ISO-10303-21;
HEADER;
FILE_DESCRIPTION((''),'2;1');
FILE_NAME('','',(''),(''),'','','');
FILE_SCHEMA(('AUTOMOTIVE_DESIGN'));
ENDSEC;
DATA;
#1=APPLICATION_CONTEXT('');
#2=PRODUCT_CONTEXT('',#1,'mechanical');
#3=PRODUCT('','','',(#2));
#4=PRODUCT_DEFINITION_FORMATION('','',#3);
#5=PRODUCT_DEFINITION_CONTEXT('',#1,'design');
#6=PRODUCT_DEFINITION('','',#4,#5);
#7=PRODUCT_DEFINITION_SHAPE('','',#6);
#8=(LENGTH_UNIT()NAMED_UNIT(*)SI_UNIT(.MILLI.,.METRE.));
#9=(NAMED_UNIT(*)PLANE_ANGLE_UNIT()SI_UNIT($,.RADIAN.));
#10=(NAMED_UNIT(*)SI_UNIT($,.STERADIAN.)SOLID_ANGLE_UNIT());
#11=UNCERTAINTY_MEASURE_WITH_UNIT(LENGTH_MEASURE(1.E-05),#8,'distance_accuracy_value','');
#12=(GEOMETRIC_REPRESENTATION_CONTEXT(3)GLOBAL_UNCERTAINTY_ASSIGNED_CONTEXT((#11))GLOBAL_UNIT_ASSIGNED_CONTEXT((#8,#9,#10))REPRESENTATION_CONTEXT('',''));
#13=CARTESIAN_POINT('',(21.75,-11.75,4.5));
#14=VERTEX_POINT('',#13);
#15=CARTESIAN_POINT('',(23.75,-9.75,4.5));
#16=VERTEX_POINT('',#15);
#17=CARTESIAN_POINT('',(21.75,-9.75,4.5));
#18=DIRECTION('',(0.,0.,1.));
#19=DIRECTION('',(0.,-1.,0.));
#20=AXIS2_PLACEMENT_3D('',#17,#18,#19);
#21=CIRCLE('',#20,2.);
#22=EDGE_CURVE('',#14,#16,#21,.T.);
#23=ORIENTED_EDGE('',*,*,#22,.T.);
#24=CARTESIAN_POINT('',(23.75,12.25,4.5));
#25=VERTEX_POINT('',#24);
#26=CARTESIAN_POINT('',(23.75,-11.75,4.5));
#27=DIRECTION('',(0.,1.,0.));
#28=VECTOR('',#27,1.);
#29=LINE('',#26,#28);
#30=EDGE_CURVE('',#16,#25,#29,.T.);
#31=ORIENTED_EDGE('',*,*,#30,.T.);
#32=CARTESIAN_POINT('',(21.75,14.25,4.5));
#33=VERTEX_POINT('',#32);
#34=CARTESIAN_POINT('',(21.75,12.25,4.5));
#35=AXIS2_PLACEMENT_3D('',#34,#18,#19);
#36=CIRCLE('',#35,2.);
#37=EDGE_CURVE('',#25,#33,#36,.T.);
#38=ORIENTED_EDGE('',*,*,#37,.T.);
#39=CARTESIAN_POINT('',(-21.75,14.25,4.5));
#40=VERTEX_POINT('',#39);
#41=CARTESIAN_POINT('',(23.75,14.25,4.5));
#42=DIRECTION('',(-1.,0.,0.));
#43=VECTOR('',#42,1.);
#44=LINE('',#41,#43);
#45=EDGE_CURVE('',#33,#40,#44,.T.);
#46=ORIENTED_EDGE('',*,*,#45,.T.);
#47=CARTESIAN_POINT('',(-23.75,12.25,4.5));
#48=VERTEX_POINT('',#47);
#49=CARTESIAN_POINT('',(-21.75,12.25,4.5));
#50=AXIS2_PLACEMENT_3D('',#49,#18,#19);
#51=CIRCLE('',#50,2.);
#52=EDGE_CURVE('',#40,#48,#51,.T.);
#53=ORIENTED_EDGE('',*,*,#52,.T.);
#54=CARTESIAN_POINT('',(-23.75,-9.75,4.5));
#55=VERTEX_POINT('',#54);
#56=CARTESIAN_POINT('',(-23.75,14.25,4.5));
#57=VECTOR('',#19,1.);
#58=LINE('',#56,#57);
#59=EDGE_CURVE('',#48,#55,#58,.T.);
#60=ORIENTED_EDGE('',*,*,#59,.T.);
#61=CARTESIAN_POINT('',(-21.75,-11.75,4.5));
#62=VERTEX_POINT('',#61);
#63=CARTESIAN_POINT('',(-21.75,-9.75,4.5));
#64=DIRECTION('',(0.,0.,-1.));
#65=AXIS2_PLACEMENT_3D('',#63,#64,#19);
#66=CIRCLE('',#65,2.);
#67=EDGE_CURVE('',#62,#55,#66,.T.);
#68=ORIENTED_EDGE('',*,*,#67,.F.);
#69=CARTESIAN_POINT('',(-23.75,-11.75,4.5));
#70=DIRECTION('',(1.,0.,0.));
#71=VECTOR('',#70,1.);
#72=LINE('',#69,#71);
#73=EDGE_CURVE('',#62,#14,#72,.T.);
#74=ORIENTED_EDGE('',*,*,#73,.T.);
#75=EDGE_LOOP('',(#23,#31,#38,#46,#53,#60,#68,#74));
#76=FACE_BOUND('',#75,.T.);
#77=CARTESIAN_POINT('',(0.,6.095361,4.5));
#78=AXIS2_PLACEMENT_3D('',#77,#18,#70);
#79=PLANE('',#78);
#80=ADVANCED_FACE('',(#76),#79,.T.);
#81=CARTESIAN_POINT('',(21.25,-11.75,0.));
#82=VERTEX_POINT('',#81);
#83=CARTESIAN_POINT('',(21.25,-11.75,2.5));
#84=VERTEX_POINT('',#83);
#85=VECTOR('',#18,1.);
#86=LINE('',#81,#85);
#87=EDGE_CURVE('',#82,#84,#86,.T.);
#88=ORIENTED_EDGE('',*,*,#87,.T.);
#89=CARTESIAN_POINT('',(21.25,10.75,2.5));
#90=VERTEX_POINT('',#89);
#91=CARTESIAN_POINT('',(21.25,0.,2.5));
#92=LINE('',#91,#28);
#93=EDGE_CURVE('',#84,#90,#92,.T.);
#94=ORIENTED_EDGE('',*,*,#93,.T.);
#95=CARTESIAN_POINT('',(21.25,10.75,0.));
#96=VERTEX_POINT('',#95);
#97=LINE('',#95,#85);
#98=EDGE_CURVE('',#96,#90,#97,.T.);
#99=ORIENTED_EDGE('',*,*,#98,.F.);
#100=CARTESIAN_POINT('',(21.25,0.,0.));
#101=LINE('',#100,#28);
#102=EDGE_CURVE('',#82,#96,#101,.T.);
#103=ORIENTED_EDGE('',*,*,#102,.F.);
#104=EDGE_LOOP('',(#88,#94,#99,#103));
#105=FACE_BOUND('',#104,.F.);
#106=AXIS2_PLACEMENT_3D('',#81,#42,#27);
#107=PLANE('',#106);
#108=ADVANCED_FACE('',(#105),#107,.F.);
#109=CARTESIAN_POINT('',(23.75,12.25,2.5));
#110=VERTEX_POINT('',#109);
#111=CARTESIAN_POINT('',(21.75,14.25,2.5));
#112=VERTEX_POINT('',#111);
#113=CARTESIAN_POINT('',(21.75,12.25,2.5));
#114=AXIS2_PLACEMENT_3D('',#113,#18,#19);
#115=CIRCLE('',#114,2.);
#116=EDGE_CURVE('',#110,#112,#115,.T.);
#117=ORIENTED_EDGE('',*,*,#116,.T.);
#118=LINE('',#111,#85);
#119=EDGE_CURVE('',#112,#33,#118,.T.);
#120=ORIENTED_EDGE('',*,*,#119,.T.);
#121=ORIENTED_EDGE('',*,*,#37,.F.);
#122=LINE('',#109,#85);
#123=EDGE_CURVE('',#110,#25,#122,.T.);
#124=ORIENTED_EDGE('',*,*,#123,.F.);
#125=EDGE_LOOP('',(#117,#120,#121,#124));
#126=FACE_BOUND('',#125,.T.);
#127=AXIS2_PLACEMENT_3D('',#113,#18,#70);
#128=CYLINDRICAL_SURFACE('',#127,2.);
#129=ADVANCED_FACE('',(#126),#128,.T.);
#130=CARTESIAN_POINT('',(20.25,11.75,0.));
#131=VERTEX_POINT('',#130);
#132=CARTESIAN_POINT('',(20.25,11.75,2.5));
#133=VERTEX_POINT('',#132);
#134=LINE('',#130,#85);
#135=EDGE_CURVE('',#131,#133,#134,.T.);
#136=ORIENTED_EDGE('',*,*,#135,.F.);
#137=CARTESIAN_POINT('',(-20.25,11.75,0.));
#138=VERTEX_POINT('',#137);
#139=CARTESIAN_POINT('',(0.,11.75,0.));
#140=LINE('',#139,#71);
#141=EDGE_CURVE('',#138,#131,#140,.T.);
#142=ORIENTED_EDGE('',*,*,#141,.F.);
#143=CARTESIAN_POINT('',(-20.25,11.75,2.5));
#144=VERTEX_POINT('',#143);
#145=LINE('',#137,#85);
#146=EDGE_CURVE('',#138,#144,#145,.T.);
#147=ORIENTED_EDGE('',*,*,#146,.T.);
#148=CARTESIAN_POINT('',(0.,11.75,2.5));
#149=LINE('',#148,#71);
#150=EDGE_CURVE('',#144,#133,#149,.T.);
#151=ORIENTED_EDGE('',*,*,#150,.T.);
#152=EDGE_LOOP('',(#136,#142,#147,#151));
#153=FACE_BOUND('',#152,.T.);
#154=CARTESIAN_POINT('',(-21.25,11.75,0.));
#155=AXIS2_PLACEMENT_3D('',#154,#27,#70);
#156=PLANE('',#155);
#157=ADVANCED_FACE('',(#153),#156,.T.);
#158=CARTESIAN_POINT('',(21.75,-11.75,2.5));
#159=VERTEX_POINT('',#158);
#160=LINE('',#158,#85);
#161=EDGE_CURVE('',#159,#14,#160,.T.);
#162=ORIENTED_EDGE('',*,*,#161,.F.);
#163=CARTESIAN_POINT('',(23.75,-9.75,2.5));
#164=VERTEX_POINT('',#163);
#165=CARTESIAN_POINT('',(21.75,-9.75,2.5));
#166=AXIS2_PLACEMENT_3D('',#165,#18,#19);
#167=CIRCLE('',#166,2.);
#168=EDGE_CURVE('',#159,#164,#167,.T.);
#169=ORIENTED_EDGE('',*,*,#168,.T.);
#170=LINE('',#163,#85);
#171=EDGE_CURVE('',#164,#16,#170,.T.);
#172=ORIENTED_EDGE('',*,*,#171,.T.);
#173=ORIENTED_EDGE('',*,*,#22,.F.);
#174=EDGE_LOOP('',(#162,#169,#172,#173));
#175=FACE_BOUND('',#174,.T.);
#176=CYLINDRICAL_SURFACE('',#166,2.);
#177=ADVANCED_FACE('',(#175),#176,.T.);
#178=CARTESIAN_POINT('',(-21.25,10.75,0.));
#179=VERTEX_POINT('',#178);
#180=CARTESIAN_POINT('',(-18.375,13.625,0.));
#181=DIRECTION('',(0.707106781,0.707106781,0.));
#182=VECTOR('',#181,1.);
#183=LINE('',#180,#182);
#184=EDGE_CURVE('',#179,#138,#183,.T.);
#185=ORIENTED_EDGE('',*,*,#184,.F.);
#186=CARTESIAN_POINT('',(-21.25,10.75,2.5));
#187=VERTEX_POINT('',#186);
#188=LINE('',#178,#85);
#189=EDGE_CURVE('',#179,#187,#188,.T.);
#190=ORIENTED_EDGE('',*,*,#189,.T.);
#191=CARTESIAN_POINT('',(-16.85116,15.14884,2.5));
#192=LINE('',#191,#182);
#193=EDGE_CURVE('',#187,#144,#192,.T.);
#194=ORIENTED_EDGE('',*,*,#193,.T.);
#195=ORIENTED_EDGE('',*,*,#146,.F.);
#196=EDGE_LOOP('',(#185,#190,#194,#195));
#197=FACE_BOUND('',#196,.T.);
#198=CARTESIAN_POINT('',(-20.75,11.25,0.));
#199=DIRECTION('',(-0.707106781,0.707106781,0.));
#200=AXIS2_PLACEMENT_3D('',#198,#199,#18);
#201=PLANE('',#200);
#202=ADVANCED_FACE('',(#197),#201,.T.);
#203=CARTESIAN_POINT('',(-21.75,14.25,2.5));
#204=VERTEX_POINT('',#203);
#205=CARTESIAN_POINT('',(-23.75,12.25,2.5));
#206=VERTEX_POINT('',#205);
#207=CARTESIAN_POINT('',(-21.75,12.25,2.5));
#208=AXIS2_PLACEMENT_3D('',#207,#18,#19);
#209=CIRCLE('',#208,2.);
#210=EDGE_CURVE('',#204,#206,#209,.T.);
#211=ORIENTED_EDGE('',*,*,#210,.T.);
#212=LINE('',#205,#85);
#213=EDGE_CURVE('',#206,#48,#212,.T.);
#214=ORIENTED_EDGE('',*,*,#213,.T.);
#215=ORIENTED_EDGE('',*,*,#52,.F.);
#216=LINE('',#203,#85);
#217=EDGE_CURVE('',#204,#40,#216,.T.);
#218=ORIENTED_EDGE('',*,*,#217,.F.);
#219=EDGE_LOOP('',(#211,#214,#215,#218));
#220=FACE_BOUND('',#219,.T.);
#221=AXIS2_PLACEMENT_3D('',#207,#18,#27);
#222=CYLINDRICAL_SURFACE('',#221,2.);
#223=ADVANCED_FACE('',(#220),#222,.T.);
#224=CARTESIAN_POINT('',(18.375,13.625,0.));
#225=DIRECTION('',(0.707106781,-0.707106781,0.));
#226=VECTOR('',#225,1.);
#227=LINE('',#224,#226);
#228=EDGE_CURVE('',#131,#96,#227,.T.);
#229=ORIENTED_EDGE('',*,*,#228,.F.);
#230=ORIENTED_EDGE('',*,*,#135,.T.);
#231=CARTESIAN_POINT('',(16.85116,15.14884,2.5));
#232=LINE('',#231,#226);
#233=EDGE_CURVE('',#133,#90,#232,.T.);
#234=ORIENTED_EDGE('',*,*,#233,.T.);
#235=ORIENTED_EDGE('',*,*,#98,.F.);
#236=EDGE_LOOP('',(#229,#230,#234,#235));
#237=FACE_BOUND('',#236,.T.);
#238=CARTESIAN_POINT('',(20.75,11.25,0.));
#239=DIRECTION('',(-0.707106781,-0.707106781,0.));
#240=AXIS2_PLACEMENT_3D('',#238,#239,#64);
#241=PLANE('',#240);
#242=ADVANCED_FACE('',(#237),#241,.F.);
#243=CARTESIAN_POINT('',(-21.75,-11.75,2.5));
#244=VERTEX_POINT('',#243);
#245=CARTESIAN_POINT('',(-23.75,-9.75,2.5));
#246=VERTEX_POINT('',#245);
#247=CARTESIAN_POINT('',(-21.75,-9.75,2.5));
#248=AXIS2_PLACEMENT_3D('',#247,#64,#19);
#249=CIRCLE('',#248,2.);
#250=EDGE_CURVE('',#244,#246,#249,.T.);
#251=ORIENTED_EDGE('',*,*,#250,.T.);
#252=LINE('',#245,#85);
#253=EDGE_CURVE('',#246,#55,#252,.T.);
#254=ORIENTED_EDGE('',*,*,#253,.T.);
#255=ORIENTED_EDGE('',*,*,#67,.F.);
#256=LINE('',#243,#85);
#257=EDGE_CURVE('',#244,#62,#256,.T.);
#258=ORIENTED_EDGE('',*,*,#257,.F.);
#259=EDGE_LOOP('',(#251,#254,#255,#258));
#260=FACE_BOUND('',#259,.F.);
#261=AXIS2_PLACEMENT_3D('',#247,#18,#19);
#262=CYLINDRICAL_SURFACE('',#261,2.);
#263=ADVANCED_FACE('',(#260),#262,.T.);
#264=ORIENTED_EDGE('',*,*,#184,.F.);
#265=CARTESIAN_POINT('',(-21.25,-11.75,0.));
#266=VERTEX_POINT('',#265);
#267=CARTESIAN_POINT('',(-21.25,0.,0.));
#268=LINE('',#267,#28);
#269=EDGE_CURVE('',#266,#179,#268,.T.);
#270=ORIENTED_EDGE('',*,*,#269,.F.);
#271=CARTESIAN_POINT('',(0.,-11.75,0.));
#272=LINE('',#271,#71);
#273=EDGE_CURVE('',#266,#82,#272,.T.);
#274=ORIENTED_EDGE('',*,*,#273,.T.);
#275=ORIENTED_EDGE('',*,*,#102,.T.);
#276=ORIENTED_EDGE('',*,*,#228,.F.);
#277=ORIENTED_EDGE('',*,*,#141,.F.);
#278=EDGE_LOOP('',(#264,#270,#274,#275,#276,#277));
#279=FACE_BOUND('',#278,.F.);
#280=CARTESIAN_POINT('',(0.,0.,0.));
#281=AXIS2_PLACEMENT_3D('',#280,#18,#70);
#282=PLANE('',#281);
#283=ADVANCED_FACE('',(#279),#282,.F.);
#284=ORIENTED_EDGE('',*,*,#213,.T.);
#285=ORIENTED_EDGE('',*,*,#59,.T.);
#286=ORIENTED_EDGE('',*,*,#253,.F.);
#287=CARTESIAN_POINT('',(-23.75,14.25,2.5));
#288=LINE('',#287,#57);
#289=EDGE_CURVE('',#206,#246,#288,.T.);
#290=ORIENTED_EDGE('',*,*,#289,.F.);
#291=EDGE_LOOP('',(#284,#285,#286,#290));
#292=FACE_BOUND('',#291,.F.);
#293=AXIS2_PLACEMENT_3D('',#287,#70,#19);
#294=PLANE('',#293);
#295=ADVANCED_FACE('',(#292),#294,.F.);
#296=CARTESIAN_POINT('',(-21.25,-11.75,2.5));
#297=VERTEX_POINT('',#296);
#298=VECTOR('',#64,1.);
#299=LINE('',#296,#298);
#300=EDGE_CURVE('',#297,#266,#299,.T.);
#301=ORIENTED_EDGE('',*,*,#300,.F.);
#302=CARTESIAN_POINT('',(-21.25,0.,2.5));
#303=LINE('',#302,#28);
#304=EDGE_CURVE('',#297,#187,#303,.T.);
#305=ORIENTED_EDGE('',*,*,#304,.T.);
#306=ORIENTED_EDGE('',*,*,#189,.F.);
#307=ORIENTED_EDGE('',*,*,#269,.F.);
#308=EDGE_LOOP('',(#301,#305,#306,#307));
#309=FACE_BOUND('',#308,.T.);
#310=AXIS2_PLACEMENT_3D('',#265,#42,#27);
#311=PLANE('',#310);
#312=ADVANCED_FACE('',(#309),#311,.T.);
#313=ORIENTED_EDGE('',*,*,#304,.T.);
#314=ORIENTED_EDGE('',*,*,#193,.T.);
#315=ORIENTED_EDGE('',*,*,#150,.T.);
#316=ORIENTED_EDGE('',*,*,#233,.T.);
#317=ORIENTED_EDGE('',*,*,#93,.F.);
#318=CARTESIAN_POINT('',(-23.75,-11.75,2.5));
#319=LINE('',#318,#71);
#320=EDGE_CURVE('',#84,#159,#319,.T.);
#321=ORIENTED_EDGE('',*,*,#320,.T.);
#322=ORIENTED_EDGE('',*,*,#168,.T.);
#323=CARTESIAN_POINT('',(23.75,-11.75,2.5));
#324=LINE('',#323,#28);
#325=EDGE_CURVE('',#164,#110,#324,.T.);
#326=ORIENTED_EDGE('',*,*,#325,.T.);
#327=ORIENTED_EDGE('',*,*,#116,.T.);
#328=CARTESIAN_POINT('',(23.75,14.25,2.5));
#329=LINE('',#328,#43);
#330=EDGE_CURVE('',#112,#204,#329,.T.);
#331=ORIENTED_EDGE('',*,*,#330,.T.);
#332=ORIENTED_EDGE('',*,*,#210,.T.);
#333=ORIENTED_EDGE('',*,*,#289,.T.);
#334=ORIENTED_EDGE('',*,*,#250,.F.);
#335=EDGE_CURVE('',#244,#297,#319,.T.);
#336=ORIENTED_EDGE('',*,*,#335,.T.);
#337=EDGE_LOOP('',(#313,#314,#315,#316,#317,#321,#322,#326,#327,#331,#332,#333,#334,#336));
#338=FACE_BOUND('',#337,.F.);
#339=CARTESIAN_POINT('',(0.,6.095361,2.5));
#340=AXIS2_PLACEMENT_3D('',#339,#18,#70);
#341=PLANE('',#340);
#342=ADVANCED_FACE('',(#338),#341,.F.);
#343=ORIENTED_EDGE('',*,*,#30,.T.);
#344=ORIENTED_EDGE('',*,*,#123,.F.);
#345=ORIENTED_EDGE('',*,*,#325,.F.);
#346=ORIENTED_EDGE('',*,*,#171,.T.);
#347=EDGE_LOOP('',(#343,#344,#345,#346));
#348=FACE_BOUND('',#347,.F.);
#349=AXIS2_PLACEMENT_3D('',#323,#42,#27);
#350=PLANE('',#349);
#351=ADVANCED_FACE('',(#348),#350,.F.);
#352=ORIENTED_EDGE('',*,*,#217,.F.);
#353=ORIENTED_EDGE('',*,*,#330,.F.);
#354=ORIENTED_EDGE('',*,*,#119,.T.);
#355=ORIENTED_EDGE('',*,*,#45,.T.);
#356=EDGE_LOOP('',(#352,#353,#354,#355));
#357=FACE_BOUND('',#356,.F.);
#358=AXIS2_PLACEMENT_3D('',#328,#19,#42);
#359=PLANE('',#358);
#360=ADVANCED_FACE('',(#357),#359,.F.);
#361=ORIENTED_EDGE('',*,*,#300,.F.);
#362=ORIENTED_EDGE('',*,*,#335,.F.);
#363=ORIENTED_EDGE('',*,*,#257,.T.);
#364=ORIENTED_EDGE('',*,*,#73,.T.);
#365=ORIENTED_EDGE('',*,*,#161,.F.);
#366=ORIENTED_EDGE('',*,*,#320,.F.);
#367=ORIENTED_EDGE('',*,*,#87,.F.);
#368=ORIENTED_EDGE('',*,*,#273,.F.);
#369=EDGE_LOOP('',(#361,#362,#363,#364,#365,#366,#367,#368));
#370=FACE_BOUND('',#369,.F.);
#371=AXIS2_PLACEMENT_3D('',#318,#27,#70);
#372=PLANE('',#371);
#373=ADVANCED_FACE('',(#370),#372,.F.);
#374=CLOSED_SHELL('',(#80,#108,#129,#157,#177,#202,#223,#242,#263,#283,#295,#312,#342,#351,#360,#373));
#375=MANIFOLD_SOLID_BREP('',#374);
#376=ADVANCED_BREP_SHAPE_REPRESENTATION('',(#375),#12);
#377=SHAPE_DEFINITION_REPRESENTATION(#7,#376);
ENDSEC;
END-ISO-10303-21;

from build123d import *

# Parameters (mm, degrees)
F0_W     = 42.5
F0_H     = 23.5
F1_DEPTH = 2.5
F2_W     = 42.5
F2_H     = 23.5
F3_DEPTH = 2
F4_SIZE  = 1
F5_R     = 2


with BuildPart() as f1:
    # F0 (on Top) → F1 (new body)
    with BuildSketch(Plane.XY):
        Rectangle(F0_W, F0_H)
    extrude(amount=F1_DEPTH)

    # F2 (on face) + F0 (on Top) → F3 (join)
    with BuildSketch(Plane.XY.offset(2.5)):
        Polygon((-23.75, 14.25), (-23.75, -11.75), (-21.25, -11.75), (-21.25, 11.75), (21.25, 11.75), (21.25, -11.75), (23.75, -11.75), (23.75, 14.25), align=None)
        Rectangle(F2_W, F2_H)
    with BuildSketch(Plane.XY):
        Rectangle(F0_W, F0_H)
    extrude(amount=F3_DEPTH)

    # F4
    f4_edges = [f1.edges().sort_by_distance(p)[0] for p in [
        (21.25, 11.75, 1.25),
        (-21.25, 11.75, 1.25),
    ]]
    chamfer(f4_edges, length=F4_SIZE)

    # F5
    f5_edges = [f1.edges().sort_by_distance(p)[0] for p in [
        (23.75, 14.25, 3.5),
        (23.75, -11.75, 3.5),
        (-23.75, 14.25, 3.5),
        (-23.75, -11.75, 3.5),
    ]]
    fillet(f5_edges, radius=F5_R)


solid = f1.part
